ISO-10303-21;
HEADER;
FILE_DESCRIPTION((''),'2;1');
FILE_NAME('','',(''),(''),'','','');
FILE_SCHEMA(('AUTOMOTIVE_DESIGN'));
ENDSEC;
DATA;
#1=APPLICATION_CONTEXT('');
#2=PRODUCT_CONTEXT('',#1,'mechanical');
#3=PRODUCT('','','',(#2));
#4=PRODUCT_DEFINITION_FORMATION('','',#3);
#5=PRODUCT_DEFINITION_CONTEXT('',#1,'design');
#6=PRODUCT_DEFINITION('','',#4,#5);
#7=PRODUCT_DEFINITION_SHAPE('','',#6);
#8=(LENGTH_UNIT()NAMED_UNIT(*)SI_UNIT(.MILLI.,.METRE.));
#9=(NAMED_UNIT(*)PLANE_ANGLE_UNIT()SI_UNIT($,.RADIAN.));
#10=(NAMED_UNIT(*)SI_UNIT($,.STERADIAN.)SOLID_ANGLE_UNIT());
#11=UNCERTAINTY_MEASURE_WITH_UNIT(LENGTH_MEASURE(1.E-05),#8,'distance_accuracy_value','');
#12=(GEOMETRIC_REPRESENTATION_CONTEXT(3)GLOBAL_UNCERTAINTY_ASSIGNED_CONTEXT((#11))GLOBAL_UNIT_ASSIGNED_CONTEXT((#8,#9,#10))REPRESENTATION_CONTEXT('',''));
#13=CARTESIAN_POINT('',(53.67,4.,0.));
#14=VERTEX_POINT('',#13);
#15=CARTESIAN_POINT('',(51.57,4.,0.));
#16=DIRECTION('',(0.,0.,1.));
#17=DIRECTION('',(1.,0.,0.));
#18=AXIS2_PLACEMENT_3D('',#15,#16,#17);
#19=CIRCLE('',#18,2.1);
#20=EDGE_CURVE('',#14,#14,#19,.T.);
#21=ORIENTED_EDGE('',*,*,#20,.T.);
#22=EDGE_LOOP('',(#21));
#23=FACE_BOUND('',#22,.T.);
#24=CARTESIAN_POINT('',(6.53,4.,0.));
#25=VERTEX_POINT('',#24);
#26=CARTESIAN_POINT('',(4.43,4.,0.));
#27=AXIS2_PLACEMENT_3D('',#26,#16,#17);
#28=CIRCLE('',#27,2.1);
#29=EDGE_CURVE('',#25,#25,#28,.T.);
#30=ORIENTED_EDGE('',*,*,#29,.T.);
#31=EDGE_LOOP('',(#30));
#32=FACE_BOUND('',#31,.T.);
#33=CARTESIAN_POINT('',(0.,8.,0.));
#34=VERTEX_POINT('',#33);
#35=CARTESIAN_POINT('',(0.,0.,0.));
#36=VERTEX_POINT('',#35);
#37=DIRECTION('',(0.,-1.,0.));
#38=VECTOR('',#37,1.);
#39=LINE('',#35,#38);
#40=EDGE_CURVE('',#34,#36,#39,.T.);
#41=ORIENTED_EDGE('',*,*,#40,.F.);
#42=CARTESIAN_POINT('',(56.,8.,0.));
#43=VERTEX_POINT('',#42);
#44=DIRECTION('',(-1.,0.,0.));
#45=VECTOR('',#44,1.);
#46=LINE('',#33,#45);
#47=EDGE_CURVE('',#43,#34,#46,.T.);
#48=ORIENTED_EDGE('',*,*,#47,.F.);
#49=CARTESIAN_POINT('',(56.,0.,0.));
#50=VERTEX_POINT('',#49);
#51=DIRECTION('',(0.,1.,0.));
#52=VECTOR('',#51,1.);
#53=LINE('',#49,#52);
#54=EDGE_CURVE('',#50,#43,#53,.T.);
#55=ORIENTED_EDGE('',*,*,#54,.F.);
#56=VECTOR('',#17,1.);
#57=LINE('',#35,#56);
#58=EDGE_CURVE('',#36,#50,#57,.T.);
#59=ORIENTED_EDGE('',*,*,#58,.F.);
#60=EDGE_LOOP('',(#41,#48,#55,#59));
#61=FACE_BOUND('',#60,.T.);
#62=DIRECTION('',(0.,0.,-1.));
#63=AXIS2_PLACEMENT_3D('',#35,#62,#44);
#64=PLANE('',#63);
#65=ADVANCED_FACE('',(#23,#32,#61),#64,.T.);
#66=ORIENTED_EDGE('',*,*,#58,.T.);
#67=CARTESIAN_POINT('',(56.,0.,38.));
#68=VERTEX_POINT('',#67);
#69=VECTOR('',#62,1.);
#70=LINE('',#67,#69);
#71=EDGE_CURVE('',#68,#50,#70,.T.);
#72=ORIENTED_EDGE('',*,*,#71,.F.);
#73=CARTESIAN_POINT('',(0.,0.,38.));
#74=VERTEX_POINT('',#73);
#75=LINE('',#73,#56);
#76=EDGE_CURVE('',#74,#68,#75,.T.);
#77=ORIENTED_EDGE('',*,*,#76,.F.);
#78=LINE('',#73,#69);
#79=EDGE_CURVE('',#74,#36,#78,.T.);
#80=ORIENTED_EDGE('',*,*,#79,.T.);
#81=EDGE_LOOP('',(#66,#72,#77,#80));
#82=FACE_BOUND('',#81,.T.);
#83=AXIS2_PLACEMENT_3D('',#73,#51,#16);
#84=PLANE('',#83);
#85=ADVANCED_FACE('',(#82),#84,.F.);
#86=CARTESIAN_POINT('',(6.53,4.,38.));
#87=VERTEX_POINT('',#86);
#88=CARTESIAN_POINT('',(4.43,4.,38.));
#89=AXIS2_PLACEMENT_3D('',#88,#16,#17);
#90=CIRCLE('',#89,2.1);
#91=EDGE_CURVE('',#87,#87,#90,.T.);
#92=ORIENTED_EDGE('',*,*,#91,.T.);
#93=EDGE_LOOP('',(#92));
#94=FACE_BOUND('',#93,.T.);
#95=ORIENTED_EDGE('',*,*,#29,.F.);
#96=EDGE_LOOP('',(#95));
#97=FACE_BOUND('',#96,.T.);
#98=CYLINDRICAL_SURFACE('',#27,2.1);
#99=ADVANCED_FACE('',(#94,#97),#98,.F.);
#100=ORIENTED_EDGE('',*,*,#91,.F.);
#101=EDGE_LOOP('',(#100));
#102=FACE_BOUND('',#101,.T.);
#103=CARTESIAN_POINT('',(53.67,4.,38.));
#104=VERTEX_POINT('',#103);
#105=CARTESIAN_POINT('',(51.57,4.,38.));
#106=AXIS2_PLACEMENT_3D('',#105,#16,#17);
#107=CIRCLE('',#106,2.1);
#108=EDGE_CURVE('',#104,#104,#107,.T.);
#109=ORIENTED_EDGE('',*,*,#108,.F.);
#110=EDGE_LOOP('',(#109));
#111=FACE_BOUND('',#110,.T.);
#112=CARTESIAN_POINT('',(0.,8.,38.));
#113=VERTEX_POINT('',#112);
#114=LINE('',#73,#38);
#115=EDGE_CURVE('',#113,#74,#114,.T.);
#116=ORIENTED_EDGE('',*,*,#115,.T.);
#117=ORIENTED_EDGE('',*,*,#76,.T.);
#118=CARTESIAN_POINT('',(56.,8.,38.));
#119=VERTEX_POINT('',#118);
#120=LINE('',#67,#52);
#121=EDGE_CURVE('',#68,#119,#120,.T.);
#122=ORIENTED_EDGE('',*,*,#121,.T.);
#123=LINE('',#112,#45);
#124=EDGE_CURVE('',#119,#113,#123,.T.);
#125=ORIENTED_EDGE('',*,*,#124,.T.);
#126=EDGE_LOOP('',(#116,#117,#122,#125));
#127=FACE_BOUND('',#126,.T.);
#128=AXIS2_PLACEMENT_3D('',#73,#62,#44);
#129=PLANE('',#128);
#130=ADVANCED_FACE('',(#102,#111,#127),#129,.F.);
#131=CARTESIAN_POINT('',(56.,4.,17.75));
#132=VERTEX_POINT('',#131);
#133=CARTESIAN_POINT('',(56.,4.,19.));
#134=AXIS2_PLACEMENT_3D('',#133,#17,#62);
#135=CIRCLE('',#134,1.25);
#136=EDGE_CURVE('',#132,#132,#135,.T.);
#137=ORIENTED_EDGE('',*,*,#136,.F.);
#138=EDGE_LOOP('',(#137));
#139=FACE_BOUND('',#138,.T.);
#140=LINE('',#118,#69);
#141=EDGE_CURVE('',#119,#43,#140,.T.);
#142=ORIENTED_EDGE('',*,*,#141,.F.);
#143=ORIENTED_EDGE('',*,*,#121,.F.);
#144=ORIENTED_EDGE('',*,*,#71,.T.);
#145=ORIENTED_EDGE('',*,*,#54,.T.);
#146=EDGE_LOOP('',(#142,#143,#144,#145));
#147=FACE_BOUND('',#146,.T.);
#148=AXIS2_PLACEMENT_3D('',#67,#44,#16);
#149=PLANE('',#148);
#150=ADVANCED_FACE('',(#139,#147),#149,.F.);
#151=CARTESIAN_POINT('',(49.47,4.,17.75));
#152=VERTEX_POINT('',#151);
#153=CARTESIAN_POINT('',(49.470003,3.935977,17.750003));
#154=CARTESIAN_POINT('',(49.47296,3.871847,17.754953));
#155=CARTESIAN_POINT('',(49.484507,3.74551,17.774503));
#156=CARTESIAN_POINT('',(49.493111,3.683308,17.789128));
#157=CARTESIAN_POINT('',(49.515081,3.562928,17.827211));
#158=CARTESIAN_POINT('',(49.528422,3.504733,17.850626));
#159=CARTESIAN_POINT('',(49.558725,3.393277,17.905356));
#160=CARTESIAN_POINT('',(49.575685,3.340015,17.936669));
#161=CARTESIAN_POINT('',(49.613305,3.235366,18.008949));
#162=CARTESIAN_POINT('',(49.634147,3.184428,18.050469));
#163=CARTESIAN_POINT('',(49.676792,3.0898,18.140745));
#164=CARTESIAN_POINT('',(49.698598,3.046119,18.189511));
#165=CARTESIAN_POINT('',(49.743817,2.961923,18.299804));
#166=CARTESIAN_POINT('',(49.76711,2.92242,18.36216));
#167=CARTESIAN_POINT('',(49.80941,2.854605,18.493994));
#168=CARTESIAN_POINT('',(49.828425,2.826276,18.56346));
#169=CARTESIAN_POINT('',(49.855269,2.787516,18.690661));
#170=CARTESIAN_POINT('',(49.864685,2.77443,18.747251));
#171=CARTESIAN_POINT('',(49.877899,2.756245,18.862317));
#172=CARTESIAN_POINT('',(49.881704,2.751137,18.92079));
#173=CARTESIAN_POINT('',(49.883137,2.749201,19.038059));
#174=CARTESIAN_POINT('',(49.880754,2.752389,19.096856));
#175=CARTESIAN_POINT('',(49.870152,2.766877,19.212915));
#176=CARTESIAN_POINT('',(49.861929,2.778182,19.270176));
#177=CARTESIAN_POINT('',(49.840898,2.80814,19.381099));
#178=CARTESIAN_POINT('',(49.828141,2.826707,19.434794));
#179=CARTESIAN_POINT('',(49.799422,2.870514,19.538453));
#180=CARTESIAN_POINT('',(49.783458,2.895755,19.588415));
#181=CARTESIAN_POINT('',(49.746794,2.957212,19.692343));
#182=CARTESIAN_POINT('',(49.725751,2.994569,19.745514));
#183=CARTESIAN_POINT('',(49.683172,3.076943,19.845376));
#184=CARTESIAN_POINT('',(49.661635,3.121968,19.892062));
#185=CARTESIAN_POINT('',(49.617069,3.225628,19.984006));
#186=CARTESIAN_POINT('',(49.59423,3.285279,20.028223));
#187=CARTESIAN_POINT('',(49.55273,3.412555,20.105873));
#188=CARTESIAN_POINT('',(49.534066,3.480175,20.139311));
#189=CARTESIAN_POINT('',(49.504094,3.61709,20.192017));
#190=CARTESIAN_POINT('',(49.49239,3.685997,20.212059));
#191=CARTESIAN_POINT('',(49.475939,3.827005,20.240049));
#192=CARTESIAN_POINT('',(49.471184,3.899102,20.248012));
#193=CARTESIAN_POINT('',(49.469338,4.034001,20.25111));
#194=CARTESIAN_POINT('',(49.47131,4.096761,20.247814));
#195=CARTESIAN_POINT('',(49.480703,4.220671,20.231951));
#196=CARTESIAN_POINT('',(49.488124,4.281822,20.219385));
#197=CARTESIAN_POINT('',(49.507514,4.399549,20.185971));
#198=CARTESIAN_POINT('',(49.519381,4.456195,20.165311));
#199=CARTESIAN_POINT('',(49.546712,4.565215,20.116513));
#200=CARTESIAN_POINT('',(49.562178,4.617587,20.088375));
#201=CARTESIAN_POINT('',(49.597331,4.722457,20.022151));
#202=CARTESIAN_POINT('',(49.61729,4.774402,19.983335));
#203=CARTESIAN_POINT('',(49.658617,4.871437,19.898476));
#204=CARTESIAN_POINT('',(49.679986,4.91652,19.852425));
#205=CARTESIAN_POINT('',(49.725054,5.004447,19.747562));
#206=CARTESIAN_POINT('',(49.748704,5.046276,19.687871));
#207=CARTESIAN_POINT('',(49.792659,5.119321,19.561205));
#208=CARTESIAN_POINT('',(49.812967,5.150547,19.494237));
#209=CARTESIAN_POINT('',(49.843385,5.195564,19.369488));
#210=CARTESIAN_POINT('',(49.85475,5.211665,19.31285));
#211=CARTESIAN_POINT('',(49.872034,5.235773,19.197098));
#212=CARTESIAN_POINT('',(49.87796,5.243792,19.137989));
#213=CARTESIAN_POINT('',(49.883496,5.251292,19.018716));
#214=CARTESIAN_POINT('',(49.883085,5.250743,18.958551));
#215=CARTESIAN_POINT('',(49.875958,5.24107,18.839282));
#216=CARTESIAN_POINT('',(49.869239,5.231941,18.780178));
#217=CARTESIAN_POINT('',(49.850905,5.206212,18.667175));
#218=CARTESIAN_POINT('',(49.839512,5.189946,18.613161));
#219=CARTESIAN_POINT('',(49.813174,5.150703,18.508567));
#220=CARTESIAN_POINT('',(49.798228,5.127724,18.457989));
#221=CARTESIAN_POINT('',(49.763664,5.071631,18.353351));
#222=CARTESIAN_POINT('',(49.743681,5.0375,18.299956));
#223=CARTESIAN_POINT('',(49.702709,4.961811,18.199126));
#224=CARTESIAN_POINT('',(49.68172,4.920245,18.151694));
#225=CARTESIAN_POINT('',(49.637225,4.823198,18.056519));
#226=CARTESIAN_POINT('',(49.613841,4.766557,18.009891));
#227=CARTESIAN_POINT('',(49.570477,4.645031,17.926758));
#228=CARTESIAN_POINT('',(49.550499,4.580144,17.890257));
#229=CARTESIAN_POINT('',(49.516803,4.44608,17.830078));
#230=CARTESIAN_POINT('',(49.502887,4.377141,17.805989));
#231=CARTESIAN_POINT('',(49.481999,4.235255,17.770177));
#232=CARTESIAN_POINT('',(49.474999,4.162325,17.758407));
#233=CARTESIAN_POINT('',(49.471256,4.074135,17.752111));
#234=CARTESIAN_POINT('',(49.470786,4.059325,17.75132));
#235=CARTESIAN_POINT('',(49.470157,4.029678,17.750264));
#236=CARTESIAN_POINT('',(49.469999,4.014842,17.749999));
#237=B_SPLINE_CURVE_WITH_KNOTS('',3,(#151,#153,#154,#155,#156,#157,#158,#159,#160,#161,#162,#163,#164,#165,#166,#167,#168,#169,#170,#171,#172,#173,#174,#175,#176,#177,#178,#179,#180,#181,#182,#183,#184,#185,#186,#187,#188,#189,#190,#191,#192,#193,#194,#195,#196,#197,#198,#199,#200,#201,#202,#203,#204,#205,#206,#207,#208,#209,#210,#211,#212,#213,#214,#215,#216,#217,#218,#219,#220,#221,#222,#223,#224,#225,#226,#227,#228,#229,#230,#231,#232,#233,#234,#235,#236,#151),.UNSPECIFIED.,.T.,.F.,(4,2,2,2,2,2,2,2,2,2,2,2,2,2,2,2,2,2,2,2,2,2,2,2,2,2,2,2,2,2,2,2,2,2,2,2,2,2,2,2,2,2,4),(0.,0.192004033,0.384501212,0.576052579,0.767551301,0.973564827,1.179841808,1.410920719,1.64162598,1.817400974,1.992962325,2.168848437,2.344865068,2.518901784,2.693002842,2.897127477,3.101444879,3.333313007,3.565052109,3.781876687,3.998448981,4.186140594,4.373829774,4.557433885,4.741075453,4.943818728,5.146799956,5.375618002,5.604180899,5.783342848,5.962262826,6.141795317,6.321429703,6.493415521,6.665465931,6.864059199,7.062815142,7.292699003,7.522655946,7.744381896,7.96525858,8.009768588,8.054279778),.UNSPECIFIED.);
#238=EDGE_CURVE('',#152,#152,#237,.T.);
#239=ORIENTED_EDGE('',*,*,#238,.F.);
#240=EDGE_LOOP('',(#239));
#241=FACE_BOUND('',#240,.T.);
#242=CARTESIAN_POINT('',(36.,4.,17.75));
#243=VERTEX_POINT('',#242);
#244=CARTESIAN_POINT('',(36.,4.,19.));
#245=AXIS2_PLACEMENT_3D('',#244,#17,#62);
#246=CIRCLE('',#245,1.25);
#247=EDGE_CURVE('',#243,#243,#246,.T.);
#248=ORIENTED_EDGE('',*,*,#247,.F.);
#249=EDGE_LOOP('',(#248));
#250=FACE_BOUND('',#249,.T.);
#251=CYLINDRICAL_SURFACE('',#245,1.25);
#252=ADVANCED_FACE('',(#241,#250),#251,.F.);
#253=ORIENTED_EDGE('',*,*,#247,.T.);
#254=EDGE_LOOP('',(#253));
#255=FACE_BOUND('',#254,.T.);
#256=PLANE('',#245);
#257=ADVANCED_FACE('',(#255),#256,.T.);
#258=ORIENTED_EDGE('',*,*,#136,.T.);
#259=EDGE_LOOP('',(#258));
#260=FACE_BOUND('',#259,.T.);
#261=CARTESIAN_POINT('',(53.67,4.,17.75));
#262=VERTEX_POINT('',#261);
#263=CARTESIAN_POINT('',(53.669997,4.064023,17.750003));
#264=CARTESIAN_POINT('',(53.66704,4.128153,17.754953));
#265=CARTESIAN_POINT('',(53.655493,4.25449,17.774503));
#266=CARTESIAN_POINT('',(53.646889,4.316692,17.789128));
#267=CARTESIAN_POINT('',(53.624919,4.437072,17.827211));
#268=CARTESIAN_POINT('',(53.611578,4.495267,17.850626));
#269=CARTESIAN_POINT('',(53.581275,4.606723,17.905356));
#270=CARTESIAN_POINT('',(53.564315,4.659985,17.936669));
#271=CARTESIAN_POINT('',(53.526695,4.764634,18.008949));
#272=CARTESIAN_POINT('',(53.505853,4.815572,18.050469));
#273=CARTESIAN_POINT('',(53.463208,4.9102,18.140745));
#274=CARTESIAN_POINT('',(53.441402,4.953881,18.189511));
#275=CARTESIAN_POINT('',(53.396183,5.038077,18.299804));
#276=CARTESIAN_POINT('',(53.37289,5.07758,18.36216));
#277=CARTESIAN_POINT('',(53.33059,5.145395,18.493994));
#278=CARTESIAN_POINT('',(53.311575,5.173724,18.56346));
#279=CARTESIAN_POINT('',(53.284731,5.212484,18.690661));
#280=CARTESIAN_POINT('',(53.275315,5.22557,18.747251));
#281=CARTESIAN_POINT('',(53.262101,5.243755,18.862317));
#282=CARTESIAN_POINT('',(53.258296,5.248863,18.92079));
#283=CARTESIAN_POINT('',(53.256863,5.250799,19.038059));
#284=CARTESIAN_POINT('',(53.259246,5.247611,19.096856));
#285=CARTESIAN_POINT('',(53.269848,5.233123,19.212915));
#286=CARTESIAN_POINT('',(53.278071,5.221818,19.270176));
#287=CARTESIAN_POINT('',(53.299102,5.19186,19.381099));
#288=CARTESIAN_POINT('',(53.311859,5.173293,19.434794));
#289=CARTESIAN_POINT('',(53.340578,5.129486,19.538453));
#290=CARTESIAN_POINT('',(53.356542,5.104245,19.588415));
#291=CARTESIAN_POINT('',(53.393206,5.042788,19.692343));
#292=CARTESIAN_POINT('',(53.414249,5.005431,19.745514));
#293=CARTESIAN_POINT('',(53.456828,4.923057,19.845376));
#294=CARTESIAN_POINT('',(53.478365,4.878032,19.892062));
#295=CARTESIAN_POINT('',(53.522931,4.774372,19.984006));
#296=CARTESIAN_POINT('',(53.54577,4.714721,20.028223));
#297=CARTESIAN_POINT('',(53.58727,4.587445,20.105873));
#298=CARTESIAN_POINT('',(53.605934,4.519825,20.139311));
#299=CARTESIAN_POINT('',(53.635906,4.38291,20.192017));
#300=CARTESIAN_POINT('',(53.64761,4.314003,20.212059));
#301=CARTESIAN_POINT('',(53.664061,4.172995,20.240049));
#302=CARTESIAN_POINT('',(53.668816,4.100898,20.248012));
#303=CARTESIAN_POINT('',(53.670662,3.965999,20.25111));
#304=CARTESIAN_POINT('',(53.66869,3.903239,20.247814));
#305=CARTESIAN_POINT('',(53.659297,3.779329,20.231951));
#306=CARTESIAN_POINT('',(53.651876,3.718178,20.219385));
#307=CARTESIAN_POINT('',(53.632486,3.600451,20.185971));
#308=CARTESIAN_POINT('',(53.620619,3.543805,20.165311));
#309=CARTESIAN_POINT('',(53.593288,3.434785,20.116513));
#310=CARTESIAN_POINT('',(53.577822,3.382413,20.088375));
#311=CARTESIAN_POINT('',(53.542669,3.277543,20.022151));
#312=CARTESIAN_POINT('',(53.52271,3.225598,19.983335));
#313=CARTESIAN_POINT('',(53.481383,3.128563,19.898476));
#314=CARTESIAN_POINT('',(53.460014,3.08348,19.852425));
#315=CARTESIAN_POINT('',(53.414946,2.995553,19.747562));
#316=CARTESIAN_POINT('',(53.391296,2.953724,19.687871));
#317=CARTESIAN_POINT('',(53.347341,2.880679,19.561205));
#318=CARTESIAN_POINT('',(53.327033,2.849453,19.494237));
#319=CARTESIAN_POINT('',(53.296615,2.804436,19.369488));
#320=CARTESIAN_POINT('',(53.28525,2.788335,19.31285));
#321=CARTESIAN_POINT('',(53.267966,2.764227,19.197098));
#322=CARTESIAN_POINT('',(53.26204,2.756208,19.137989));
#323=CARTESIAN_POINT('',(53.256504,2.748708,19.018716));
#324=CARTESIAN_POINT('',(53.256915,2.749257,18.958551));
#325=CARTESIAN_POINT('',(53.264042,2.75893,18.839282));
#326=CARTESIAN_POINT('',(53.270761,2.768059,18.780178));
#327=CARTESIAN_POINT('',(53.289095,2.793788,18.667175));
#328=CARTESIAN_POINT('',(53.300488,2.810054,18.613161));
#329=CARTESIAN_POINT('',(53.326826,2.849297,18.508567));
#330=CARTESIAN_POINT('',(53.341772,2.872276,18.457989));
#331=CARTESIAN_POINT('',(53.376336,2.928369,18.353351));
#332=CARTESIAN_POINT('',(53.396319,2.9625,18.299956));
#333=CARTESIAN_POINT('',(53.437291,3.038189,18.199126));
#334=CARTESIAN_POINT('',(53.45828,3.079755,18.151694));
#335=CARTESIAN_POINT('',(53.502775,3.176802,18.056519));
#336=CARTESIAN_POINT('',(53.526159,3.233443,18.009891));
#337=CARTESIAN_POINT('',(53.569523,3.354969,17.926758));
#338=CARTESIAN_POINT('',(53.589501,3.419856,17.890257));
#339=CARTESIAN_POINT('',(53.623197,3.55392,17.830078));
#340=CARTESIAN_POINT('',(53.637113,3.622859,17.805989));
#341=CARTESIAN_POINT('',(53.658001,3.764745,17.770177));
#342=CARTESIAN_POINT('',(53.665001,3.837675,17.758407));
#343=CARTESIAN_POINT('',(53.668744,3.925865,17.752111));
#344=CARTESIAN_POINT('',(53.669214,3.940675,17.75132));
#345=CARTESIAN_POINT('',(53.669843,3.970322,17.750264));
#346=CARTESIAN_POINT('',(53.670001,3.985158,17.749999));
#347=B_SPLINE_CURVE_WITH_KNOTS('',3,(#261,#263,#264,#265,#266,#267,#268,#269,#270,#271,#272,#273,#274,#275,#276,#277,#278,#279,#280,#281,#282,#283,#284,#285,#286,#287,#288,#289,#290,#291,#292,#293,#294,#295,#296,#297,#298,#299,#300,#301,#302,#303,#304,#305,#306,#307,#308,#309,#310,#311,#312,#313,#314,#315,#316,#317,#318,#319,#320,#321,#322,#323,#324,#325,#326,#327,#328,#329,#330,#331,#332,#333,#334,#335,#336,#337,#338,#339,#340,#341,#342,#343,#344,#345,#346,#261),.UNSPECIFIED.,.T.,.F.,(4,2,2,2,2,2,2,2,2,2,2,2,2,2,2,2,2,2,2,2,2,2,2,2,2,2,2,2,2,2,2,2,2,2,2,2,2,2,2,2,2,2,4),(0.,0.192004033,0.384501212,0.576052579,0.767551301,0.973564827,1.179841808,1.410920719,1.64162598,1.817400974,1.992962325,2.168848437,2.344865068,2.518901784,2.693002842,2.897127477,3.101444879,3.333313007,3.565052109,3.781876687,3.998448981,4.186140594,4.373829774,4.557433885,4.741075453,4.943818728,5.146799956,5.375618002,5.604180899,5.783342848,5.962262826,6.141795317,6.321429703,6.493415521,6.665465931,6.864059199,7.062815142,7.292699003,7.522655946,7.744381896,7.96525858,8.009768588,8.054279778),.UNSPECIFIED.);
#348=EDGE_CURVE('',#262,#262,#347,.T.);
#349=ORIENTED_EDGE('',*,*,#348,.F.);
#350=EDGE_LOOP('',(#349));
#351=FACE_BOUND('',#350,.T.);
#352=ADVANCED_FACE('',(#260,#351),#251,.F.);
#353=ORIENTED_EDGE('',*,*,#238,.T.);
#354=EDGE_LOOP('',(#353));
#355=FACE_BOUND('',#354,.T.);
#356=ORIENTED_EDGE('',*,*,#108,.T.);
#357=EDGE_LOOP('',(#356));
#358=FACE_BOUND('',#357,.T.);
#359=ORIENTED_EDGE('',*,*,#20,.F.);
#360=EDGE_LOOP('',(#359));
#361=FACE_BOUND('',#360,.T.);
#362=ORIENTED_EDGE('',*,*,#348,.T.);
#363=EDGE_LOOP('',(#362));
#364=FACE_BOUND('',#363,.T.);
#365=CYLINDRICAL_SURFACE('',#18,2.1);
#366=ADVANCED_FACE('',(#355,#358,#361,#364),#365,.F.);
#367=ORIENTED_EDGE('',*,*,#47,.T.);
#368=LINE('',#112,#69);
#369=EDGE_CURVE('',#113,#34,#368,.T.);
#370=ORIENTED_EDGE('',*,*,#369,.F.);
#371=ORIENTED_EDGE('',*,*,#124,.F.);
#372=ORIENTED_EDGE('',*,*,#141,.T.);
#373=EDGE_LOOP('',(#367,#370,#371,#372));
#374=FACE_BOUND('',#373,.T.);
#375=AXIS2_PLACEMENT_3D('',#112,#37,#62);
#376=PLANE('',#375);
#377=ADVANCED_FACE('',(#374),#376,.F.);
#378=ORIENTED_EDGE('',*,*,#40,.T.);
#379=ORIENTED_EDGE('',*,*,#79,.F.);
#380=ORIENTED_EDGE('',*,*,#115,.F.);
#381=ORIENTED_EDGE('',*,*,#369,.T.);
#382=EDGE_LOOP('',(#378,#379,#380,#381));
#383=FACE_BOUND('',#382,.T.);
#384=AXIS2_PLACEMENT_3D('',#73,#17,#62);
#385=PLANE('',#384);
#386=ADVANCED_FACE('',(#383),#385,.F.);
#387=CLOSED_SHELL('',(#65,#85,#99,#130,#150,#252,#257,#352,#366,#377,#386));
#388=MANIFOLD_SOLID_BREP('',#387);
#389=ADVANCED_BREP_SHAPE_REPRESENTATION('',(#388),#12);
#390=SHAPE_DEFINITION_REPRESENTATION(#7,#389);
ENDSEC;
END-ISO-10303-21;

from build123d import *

# Parameters (mm, degrees)
SKETCH_1_W          = 56
SKETCH_1_H          = 8
EXTRUDE_1_DEPTH     = 38
SKETCH_2_R          = 2.1
CUT_EXTRUDE_1_DEPTH = 69.14690015
SKETCH_3_R          = 1.25
CUT_EXTRUDE_2_DEPTH = 20


with BuildPart() as part:
    # Эскиз1 → Бобышка-Вытянуть1 (new body)
    with BuildSketch(Plane.XY):
        with Locations((28, 4)):
            Rectangle(SKETCH_1_W, SKETCH_1_H)
    extrude(amount=EXTRUDE_1_DEPTH)

    # Эскиз2 → Вырез-Вытянуть1 (cut, through all)
    with BuildSketch(Plane.XY.offset(38)):
        with Locations((4.43, 4)):
            Circle(SKETCH_2_R)
        with Locations((51.57, 4)):
            Circle(SKETCH_2_R)
    extrude(amount=-CUT_EXTRUDE_1_DEPTH, mode=Mode.SUBTRACT)

    # Эскиз3 → Вырез-Вытянуть2 (cut)
    with BuildSketch(Plane(origin=(56, 0, 0), x_dir=(0, 0, -1), z_dir=(1, 0, 0))):
        with Locations((-19, 4)):
            Circle(SKETCH_3_R)
    extrude(amount=-CUT_EXTRUDE_2_DEPTH, mode=Mode.SUBTRACT)


solid = part.part
